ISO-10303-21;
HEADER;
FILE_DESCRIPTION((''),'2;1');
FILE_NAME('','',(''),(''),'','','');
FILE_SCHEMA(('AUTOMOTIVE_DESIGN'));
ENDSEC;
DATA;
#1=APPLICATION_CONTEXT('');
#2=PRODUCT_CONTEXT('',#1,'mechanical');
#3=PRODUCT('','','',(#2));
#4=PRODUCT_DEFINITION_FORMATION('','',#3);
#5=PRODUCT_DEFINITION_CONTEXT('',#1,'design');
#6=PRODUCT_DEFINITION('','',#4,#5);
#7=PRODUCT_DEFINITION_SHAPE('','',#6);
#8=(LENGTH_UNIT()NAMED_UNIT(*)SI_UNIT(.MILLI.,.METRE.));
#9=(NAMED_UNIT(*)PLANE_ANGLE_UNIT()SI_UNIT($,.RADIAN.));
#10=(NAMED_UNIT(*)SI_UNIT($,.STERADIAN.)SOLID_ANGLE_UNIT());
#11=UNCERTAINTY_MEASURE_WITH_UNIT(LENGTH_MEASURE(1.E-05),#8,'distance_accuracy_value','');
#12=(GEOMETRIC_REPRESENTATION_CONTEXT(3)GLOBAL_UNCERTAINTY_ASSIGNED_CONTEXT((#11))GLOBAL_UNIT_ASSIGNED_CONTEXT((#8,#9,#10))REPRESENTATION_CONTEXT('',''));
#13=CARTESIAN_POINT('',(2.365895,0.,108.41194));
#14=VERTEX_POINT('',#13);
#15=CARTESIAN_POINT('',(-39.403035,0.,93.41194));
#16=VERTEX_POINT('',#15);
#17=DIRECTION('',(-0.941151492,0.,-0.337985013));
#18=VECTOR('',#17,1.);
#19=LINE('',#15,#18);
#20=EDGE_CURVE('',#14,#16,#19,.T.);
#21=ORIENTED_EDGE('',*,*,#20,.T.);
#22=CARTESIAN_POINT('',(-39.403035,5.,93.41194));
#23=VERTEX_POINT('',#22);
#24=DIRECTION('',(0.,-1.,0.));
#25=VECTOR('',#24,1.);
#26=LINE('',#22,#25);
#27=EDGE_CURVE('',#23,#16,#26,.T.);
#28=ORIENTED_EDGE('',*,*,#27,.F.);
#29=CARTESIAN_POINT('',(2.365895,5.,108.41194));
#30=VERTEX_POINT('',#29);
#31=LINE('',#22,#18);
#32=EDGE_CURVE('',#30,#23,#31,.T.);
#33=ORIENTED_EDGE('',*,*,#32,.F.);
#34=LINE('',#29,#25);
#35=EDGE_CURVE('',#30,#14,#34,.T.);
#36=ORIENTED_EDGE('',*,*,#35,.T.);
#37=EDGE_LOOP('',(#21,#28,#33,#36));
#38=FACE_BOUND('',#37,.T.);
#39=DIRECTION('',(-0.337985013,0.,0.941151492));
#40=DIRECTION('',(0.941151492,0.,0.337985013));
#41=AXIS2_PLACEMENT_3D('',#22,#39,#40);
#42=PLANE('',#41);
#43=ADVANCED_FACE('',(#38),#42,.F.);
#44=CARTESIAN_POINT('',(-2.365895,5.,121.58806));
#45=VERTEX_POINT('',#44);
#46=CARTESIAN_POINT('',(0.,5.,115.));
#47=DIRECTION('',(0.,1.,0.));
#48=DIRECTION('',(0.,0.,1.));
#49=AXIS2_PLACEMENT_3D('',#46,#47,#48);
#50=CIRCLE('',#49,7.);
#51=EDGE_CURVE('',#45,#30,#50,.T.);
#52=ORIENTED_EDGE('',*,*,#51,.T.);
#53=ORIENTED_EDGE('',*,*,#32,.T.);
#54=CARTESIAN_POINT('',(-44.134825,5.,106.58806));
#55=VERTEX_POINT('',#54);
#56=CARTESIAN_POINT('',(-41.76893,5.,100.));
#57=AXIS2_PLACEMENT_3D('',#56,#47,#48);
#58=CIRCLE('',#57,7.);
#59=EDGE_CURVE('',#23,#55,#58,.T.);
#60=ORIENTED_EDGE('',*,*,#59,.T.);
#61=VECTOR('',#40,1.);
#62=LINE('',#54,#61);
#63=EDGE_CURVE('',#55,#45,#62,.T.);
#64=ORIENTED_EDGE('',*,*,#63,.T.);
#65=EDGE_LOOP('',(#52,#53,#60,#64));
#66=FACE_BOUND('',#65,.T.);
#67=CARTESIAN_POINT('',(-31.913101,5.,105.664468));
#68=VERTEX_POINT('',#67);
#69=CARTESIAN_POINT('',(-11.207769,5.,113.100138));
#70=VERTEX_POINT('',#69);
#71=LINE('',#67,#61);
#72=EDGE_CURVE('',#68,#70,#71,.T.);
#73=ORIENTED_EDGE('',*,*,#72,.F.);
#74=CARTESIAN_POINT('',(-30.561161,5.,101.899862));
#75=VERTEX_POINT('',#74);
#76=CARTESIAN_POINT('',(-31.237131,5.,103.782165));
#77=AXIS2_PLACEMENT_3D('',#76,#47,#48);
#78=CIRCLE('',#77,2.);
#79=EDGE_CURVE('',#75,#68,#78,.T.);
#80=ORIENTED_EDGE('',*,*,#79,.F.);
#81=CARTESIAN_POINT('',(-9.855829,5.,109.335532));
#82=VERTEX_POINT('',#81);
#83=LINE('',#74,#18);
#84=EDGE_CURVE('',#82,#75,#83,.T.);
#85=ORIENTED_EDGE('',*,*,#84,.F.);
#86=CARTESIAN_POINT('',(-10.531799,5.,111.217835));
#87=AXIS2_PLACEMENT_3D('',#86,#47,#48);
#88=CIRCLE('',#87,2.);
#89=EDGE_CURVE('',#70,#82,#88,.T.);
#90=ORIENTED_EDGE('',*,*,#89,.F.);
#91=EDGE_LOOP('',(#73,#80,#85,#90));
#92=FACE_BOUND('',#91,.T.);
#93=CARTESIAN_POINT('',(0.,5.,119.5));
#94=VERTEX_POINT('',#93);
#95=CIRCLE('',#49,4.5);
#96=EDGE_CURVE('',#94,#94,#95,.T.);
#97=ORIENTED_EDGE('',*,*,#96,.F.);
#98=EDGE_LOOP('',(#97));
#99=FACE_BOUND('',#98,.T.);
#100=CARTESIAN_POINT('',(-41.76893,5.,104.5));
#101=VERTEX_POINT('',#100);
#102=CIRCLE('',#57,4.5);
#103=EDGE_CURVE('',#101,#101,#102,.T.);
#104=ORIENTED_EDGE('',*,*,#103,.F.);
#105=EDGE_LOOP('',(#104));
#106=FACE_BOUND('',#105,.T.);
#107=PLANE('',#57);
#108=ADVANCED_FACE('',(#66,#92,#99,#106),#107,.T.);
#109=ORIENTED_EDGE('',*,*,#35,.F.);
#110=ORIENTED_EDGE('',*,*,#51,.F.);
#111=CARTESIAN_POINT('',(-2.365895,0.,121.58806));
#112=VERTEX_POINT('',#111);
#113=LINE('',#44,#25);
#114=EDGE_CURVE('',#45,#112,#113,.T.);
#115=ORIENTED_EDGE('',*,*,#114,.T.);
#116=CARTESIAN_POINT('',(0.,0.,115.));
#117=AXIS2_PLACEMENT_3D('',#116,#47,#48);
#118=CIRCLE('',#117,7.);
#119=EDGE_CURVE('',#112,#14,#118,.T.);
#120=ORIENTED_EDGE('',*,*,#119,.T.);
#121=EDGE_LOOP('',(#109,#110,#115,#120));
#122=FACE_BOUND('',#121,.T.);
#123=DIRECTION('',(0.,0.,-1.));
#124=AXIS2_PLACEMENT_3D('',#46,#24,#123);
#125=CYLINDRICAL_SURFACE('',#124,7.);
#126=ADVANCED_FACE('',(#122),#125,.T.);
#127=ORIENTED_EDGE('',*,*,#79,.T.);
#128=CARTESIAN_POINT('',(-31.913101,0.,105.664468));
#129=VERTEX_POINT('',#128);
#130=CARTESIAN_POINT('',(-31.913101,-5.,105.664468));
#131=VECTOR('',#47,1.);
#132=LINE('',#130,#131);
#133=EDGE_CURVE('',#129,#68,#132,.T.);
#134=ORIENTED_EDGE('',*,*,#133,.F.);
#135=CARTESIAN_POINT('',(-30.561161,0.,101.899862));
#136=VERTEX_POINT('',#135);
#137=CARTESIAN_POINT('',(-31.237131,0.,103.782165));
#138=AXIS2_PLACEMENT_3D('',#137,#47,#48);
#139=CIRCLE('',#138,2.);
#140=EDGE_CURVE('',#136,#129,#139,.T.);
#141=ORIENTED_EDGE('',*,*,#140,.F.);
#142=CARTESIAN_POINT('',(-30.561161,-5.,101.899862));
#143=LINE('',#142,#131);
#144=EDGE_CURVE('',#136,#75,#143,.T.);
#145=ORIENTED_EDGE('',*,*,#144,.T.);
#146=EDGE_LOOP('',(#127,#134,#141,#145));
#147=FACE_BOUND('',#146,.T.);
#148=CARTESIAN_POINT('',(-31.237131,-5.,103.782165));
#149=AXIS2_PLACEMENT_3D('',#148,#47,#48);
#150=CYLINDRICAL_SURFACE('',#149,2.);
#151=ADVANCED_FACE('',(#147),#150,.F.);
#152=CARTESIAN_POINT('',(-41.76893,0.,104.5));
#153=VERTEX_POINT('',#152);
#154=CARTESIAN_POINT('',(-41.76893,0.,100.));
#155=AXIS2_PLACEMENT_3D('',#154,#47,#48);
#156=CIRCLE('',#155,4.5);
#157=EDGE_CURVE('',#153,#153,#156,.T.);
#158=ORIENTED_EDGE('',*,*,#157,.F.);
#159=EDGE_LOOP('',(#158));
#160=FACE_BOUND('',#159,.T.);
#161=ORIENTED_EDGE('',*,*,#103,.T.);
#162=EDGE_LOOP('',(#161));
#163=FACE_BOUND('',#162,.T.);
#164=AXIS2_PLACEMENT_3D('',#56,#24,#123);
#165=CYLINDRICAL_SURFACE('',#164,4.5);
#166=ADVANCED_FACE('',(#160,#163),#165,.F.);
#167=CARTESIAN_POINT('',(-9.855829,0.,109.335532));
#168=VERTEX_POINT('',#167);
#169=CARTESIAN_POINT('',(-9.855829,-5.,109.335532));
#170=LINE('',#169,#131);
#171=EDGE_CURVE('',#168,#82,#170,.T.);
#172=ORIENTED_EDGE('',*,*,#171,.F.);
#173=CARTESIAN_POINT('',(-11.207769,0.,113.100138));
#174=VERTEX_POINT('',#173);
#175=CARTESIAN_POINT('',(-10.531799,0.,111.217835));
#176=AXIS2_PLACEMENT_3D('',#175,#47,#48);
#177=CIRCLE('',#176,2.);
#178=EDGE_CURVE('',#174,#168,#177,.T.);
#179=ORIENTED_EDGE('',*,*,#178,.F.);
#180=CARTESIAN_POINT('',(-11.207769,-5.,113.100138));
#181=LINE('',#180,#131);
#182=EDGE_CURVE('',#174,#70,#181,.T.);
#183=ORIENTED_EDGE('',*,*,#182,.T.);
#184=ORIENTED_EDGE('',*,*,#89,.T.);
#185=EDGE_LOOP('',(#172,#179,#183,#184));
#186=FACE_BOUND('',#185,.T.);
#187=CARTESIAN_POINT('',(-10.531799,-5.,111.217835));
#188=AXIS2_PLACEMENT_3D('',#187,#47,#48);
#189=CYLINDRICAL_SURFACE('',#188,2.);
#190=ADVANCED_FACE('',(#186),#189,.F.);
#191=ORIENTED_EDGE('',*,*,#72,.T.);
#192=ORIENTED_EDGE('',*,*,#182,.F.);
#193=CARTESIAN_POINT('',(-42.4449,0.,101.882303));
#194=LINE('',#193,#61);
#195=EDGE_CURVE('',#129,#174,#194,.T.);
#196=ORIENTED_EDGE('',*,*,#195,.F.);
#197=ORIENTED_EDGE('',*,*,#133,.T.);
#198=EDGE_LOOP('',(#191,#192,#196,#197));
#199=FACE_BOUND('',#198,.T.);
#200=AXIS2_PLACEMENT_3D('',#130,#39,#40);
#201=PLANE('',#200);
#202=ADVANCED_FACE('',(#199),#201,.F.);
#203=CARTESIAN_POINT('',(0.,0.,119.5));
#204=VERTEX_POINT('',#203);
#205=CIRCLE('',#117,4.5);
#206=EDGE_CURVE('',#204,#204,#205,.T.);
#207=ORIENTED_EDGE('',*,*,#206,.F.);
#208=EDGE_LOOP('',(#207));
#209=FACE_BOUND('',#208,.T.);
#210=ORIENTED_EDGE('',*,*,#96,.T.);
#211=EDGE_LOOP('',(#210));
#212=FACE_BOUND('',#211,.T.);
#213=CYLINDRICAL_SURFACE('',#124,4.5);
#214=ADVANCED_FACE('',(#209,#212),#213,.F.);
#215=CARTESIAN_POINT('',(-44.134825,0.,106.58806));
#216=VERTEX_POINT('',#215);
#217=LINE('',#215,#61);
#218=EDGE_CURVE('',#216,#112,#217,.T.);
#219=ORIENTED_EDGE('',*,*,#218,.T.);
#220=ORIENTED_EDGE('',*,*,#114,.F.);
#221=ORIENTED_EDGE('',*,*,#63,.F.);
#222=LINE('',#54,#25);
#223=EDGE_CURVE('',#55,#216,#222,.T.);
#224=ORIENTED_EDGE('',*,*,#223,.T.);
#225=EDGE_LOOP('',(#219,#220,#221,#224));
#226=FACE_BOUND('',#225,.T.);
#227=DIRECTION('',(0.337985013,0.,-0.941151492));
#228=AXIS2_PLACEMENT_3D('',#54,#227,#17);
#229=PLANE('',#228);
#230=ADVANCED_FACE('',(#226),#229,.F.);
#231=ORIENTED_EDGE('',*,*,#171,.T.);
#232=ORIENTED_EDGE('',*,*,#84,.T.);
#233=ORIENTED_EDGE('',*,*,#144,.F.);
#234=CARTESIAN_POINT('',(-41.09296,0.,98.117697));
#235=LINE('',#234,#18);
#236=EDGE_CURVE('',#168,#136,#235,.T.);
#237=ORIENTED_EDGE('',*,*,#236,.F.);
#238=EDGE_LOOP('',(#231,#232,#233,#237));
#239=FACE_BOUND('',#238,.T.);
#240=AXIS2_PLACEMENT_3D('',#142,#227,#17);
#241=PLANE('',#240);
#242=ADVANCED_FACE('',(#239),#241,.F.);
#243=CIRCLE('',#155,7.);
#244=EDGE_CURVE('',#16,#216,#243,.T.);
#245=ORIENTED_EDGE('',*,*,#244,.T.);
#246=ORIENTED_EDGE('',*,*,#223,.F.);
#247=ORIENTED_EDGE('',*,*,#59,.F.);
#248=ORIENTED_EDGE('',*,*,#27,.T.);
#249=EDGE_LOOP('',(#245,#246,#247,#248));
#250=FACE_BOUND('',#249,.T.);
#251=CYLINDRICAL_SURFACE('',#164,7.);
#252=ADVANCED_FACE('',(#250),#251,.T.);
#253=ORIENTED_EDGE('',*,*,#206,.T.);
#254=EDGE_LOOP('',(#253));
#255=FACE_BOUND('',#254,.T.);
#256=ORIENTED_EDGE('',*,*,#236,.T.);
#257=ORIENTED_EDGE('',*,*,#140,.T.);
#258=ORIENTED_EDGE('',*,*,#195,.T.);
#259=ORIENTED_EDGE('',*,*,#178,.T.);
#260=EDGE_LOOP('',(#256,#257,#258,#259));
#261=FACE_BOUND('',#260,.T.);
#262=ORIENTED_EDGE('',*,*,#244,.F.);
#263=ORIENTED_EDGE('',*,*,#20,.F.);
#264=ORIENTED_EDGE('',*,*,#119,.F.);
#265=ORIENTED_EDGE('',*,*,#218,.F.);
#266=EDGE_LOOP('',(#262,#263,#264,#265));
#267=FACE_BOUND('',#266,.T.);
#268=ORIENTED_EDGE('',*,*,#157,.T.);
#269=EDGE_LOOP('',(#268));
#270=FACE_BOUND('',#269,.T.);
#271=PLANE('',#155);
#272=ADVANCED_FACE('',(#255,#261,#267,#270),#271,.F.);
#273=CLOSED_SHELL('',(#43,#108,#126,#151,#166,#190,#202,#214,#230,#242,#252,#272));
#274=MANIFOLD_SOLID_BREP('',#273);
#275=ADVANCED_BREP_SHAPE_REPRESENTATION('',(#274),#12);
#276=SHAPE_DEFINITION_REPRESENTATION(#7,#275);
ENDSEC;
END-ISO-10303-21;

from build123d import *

# Parameters (mm, degrees)
SKETCH_1_R          = 4.5
EXTRUDE_1_DEPTH     = 5
CUT_EXTRUDE_1_DEPTH = 10


with BuildPart() as part:
    # 草图1 → 凸台-拉伸1 (new body)
    with BuildSketch(Plane(origin=(0, 0, 0), x_dir=(1, 0, 0), z_dir=(0, 1, 0))):
        with BuildLine():
            Line((-39.403034963, -93.411939556), (2.365895093, -108.411939556))
            ThreePointArc((2.365895093, -108.411939556), (6.588060444, -117.365895093), (-2.365895093, -121.588060444))
            Line((-2.365895093, -121.588060444), (-44.134825149, -106.588060444))
            ThreePointArc((-44.134825149, -106.588060444), (-48.356990499, -97.634104907), (-39.403034963, -93.411939556))
        make_face()
        with Locations(Location((-41.768930056, -100, 0), (0, 0, 270))):
            Circle(SKETCH_1_R, mode=Mode.SUBTRACT)
        with Locations(Location((0, -115, 0), (0, 0, 270))):
            Circle(SKETCH_1_R, mode=Mode.SUBTRACT)
    extrude(amount=EXTRUDE_1_DEPTH)

    # 草图2 → 切除-拉伸1 (cut)
    with BuildSketch(Plane(origin=(0, 5, 0), x_dir=(1, 0, 0), z_dir=(0, 1, 0))):
        with BuildLine():
            Line((-30.561161413, -101.89986187), (-9.85582859, -109.335532162))
            ThreePointArc((-9.85582859, -109.335532162), (-8.649495632, -111.893805173), (-11.207768643, -113.10013813))
            Line((-11.207768643, -113.10013813), (-31.913101466, -105.664467838))
            ThreePointArc((-31.913101466, -105.664467838), (-33.119434423, -103.106194827), (-30.561161413, -101.89986187))
        make_face()
    extrude(amount=-CUT_EXTRUDE_1_DEPTH, mode=Mode.SUBTRACT)


solid = part.part
